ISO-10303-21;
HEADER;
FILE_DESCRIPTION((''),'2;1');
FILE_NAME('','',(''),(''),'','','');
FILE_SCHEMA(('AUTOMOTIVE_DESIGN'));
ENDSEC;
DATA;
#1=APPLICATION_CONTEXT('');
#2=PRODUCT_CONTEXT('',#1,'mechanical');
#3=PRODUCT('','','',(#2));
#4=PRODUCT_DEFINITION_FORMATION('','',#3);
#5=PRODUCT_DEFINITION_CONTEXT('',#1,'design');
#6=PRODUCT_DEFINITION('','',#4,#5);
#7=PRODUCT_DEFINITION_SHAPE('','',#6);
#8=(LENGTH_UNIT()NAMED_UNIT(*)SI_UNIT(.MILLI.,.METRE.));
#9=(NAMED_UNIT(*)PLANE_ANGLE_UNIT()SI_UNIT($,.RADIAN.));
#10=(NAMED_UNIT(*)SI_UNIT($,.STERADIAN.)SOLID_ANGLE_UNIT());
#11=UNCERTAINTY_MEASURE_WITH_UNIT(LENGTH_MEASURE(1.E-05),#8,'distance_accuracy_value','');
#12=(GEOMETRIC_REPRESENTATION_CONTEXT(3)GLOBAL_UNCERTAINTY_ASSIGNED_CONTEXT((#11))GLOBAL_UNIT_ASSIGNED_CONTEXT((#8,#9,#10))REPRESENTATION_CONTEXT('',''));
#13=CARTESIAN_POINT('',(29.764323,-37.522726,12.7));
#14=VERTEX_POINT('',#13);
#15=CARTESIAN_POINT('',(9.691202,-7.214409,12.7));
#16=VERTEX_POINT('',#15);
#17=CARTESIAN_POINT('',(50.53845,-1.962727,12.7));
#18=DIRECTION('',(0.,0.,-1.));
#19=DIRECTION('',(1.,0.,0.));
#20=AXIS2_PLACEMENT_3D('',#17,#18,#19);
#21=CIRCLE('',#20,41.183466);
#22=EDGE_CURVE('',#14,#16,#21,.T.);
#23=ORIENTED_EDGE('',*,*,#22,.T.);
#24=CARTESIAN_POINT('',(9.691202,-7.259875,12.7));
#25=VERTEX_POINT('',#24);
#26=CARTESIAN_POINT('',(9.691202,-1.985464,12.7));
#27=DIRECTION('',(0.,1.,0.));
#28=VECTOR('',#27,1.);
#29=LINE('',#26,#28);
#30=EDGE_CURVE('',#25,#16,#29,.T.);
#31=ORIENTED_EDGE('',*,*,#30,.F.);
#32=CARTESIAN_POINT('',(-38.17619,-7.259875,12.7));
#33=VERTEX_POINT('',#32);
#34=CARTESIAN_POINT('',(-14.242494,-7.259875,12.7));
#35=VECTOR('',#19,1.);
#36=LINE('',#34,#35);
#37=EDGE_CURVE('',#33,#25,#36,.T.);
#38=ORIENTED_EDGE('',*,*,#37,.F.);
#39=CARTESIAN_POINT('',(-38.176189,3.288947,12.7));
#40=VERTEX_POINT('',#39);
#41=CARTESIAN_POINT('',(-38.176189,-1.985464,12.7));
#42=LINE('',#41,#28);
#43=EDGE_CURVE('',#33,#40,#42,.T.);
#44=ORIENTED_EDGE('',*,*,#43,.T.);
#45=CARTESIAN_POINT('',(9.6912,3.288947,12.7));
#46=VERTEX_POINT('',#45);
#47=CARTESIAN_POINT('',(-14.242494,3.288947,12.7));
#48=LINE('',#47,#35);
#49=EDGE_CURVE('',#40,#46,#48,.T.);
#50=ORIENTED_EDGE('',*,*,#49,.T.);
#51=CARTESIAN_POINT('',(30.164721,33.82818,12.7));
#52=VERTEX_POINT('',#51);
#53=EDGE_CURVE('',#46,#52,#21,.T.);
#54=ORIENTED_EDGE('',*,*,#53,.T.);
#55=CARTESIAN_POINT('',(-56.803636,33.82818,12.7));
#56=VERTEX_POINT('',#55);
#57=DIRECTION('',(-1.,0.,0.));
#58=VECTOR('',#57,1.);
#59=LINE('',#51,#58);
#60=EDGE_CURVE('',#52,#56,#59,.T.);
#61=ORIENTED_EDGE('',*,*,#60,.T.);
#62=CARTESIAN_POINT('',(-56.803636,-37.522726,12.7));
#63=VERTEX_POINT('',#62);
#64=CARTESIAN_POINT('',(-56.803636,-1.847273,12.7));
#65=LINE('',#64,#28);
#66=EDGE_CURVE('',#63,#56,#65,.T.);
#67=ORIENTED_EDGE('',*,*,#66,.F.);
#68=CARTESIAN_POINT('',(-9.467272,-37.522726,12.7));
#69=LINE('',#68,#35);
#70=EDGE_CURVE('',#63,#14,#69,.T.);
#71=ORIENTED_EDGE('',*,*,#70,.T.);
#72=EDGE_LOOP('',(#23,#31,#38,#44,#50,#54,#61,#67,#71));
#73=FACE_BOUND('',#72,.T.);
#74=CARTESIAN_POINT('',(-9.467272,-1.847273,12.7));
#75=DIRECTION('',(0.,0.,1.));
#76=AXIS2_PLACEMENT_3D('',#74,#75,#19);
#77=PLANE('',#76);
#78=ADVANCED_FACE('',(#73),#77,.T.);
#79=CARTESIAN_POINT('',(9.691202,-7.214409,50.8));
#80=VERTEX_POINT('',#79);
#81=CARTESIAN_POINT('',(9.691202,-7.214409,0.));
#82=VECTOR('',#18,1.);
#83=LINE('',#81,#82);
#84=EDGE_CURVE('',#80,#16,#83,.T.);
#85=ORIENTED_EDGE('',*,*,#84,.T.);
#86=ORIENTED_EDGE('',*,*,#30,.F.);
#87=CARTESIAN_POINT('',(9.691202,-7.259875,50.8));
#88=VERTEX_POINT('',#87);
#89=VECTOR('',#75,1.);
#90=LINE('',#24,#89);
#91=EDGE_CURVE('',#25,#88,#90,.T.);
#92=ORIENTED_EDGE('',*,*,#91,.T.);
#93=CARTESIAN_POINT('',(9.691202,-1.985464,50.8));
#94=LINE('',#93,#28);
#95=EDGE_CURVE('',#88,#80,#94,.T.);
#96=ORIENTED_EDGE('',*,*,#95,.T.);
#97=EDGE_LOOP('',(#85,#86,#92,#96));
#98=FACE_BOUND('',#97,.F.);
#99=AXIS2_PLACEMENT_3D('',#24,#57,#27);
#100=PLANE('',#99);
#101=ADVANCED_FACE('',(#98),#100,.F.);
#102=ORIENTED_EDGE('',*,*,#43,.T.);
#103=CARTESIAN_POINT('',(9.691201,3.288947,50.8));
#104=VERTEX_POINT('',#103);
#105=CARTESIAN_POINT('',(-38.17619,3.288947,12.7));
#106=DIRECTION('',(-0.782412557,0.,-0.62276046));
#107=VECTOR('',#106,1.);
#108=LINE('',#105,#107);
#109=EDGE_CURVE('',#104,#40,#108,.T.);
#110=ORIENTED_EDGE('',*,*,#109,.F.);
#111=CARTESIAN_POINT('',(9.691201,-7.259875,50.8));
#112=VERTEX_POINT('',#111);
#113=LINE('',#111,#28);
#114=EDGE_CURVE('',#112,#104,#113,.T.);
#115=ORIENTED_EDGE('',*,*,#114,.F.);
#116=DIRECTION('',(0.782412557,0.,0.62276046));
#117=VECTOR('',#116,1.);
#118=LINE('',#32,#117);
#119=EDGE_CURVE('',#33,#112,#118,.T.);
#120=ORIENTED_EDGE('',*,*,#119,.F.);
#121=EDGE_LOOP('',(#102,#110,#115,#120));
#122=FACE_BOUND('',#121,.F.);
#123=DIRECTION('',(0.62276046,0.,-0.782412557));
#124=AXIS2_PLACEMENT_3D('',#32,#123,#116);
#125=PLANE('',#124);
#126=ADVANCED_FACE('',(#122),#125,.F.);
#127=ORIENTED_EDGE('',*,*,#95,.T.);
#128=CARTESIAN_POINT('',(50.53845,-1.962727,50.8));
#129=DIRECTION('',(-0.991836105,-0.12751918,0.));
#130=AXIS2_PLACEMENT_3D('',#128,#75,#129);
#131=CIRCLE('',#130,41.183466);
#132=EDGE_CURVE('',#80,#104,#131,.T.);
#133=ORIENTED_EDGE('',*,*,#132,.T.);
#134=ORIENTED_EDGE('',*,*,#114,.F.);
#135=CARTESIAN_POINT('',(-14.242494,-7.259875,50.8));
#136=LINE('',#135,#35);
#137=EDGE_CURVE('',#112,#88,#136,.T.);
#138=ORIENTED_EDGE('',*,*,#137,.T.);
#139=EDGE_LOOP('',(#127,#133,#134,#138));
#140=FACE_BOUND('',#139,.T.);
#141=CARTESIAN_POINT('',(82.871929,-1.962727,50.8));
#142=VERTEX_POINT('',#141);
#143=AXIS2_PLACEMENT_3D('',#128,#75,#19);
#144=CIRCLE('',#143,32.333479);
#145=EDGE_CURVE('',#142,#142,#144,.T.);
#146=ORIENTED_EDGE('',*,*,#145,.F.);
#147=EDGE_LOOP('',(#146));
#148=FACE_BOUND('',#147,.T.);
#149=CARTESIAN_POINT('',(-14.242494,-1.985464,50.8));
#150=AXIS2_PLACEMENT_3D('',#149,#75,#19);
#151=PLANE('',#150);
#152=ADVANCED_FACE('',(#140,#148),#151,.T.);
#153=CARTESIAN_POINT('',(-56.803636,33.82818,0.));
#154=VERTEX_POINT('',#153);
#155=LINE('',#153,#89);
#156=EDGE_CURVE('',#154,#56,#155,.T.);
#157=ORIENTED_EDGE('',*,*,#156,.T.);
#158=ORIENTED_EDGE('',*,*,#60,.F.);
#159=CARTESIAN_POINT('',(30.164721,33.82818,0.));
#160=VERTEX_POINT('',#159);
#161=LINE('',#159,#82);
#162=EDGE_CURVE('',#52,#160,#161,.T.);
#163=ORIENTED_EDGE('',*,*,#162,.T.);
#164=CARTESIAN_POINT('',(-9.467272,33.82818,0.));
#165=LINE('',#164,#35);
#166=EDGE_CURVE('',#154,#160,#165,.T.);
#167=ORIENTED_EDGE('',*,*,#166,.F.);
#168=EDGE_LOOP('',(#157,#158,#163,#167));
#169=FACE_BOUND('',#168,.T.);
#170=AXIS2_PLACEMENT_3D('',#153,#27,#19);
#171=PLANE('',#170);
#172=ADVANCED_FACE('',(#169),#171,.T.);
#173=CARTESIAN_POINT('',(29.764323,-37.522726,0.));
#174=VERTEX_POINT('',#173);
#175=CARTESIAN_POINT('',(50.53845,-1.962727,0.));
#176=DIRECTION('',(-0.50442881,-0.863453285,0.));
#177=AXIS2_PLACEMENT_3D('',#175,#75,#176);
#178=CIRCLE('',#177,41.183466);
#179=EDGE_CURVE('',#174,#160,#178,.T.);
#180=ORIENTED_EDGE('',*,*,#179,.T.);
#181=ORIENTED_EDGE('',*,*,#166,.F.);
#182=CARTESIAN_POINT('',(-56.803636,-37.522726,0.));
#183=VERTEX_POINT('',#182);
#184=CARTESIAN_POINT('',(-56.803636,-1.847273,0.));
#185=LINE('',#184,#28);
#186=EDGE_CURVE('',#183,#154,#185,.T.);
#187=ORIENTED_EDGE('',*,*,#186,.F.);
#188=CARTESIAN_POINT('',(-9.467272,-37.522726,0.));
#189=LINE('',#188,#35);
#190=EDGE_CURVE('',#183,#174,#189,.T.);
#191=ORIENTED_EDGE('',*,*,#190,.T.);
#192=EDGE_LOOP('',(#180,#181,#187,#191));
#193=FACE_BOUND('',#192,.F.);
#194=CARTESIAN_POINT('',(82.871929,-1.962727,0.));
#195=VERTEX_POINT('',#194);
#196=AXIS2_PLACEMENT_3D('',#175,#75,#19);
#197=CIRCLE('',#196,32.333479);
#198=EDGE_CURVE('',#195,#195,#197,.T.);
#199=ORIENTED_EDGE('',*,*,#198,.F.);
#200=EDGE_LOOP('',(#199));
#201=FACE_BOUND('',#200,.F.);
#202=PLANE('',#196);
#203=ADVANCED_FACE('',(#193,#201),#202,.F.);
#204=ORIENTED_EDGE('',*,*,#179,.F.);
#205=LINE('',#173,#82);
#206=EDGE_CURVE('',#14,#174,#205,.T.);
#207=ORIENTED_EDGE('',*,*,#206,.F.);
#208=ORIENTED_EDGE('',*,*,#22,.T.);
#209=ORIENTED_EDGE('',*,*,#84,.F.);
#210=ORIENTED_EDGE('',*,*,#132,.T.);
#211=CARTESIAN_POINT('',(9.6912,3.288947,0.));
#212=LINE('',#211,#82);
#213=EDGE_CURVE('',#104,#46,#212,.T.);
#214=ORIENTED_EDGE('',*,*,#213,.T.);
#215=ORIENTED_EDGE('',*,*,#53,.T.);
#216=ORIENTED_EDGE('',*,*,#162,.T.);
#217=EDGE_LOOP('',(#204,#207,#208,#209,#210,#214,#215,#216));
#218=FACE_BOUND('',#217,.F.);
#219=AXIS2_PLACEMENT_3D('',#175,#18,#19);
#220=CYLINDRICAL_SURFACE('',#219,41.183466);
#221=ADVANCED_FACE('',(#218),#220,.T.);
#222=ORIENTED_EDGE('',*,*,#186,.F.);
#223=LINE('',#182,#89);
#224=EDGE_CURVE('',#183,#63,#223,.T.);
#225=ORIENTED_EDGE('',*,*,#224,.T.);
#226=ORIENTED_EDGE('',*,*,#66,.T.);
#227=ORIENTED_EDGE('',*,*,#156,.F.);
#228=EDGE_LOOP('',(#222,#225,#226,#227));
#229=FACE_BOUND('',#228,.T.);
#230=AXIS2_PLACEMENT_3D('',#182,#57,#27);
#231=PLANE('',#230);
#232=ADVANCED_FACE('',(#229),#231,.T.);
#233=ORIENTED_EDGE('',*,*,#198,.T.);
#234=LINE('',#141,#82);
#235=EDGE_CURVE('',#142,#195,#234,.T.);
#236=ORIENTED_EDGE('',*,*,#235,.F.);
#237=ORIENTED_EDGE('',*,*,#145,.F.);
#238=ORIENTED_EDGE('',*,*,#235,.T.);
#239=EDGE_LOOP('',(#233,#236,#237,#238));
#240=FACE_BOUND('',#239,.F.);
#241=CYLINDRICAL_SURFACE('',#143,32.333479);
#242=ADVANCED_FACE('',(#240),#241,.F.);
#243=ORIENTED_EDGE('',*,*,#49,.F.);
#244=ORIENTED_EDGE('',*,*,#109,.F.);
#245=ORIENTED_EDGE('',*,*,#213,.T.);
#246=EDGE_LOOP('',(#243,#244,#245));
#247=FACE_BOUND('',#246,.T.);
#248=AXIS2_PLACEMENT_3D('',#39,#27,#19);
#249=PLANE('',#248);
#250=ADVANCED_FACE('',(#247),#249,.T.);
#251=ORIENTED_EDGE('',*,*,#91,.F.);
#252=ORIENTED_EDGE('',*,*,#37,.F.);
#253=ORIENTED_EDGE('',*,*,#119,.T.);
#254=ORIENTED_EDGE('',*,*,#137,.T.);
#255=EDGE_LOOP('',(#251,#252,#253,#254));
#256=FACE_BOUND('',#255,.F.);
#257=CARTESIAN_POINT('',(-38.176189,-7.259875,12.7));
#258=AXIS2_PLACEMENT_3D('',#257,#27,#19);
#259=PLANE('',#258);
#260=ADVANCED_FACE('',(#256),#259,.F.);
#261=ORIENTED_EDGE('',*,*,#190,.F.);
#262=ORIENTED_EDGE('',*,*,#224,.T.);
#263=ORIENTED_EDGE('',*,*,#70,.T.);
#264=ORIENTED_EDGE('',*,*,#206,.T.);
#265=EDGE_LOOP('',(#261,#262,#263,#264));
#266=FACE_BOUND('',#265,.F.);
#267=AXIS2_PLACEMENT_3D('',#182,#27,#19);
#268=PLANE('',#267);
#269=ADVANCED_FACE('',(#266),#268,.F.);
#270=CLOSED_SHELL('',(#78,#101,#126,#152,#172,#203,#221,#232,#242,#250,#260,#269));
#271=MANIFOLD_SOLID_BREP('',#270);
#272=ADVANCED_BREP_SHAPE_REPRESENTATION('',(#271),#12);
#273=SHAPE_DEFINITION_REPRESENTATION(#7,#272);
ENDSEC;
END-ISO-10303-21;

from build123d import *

# Parameters (mm, degrees)
F0_W      = 94.672728
F0_H      = 71.350906
F1_DEPTH  = 12.7
F3_DEPTH  = 12.701
F4_R      = 41.183466
F5_DEPTH  = 50.8
F6_R      = 32.333479
F7_DEPTH  = 50.801
F8_W      = 47.867391
F8_H      = 10.548822
F9_DEPTH  = 38.1
F11_DEPTH = 46.481614


with BuildPart() as f1:
    # F0 (on Top) → F1 (new body)
    with BuildSketch(Plane.XY):
        with Locations((-9.467272, -1.847273)):
            Rectangle(F0_W, F0_H)
    extrude(amount=F1_DEPTH)

    # F2 (on face) → F3 (cut, through all)
    with BuildSketch(Plane.XY.offset(12.7)):
        with BuildLine():
            Line((37.869092, -37.522726), (37.869092, 33.82818))
            ThreePointArc((37.869092, 33.82818), (16.340406, -1.847273), (37.869092, -37.522726))
        make_face()
    extrude(amount=-F3_DEPTH, mode=Mode.SUBTRACT)

    # F4 (on Top) → F5 (join)
    with BuildSketch(Plane.XY):
        with Locations((50.53845, -1.962727)):
            Circle(F4_R)
    extrude(amount=F5_DEPTH)

    # F6 (on face) → F7 (cut, through all)
    with BuildSketch(Plane.XY.offset(50.8)):
        with Locations((50.53845, -1.962727)):
            Circle(F6_R)
    extrude(amount=-F7_DEPTH, mode=Mode.SUBTRACT)

    # F8 (on face) → F9 (join)
    with BuildSketch(Plane.XY.offset(12.7)):
        with Locations((-14.242494, -1.985464)):
            Rectangle(F8_W, F8_H)
    extrude(amount=F9_DEPTH)

    # F10 (on face) → F11 (cut, through all)
    with BuildSketch(Plane.XZ.offset(7.259875)):
        Polygon((-38.17619, 12.7), (9.691201, 50.8), (-38.17619, 50.8), align=None)
    extrude(amount=-F11_DEPTH, mode=Mode.SUBTRACT)


solid = f1.part
